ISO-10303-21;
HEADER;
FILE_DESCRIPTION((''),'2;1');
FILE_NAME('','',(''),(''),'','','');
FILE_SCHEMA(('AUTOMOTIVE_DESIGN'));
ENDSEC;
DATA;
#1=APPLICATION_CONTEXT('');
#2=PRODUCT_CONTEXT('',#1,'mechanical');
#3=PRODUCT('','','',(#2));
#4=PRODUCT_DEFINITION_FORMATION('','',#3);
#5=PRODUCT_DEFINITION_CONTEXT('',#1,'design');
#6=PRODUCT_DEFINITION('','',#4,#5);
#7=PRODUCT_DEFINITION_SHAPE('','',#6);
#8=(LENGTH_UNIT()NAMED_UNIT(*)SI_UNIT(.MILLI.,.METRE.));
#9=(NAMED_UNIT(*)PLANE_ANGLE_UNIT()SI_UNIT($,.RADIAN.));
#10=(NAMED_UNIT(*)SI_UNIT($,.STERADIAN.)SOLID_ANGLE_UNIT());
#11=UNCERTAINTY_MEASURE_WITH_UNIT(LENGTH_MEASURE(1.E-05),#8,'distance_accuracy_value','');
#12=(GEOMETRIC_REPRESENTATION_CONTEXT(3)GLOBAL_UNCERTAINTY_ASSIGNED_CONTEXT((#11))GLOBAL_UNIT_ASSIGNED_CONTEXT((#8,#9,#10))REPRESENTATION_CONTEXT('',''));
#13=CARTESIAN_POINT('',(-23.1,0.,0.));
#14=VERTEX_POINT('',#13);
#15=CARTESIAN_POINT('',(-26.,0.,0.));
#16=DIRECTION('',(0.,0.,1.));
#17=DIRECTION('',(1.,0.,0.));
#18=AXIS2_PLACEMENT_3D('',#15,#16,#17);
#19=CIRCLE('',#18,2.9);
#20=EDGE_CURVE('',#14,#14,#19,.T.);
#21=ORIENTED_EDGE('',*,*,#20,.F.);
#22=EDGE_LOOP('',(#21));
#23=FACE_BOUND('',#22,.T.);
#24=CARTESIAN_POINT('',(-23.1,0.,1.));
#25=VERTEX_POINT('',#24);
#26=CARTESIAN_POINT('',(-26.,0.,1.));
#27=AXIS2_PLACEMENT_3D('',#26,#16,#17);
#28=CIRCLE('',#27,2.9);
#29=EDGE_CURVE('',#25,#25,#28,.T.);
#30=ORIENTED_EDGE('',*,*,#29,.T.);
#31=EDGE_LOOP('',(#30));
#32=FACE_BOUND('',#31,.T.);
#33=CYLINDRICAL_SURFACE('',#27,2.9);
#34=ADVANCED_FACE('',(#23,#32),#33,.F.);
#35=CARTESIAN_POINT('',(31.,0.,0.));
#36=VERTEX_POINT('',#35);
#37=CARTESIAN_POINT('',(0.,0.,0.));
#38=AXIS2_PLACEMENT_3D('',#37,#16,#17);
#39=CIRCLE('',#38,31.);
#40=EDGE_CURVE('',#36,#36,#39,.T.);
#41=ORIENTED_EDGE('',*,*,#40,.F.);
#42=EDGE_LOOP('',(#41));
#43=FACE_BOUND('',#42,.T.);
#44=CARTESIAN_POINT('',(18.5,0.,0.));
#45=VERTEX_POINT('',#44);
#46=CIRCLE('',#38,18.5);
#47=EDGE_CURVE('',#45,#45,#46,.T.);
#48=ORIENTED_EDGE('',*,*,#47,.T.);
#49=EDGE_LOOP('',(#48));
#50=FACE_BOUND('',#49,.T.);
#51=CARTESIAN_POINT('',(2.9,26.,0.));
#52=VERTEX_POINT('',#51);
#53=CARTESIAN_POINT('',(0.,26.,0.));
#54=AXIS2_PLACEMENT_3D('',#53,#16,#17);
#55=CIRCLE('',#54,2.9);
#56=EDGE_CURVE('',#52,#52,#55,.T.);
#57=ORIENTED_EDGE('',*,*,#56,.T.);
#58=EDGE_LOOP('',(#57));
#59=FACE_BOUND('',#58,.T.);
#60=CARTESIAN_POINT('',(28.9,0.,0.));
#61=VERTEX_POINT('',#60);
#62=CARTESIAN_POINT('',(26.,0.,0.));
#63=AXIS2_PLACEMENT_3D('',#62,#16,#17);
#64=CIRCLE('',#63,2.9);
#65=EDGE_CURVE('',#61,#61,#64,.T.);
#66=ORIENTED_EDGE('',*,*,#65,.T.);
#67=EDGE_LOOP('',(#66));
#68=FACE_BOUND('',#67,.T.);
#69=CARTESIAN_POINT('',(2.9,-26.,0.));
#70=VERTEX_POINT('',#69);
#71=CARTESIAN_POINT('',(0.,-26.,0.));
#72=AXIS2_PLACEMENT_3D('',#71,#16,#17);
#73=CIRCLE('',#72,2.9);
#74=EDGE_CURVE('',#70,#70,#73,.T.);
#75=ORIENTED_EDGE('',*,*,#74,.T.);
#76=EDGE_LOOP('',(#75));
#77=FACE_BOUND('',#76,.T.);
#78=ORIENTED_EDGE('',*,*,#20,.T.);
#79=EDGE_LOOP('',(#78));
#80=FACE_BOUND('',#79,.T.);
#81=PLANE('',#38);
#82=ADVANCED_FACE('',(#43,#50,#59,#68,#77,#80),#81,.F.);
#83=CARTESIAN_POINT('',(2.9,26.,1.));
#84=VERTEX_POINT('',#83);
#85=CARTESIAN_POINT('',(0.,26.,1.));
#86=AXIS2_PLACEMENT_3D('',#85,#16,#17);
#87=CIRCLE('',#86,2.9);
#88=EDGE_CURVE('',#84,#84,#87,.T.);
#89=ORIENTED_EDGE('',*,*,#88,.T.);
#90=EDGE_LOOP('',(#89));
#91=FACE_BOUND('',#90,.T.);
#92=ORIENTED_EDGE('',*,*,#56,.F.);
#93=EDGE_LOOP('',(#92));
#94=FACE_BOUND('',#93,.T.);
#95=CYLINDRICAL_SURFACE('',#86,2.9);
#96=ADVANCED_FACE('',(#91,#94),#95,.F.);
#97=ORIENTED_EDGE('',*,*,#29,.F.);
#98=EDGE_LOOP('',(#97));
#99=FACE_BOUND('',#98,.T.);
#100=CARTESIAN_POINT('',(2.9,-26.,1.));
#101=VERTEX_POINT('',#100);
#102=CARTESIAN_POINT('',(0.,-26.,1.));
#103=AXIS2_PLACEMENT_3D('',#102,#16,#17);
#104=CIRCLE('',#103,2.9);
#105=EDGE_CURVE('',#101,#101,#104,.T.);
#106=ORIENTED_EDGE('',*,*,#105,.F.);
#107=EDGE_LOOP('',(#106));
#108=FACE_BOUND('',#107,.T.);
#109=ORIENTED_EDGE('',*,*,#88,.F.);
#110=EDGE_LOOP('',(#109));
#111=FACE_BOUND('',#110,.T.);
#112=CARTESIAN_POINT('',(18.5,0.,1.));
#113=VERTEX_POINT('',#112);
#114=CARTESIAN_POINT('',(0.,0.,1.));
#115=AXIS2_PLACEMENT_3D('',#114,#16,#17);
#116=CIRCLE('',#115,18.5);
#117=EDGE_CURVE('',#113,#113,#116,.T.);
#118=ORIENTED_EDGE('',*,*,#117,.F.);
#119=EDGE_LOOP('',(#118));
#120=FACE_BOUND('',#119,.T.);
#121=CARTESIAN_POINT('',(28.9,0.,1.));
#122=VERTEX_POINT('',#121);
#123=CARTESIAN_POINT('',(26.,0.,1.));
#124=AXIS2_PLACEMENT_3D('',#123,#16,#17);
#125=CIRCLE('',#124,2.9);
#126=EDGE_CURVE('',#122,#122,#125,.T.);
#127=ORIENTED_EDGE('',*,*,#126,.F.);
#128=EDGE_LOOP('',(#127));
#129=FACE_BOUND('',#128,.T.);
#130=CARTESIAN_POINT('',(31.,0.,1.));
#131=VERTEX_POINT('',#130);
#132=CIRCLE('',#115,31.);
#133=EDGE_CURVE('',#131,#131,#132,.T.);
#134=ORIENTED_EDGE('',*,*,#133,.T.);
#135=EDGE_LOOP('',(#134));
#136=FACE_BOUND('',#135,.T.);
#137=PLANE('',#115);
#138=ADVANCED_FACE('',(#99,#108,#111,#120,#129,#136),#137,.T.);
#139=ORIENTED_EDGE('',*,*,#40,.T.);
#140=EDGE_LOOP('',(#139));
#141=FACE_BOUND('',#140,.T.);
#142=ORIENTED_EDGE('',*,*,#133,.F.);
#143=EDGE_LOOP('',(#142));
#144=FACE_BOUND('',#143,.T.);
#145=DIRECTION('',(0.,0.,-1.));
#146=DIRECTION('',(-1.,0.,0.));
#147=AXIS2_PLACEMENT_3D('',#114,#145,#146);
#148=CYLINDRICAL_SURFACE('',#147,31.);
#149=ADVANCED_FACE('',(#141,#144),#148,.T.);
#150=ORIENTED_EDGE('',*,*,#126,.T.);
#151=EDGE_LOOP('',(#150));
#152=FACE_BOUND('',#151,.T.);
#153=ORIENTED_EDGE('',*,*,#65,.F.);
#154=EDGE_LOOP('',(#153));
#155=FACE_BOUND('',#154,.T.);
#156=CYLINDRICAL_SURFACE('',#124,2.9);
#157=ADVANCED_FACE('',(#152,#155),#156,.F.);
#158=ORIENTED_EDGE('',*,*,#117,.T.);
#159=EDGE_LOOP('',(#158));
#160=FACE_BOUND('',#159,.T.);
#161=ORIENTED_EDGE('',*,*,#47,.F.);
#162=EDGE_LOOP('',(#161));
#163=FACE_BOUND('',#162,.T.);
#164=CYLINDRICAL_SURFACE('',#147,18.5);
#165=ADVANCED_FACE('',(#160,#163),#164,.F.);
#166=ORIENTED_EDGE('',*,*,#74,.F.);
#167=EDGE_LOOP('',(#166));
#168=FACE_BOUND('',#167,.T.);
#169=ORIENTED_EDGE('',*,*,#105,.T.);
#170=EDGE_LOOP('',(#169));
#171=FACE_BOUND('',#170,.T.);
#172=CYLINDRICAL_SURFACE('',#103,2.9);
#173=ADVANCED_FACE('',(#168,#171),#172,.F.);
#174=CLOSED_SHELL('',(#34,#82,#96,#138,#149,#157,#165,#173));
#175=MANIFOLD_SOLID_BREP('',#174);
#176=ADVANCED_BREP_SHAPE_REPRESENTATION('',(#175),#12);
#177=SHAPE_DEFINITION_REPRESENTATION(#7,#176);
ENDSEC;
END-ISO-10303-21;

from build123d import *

# Parameters (mm, degrees)
SKETCH1_R            = 31
SKETCH1_R_2          = 18.5
BOSS_EXTRUDE1_DEPTH  = 1
M5_CLEARANCE_HOLE1_D = 5.8


with BuildPart() as part:
    # Sketch1 → Boss-Extrude1 (new body)
    with BuildSketch(Plane.XY):
        Circle(SKETCH1_R)
        Circle(SKETCH1_R_2, mode=Mode.SUBTRACT)
    extrude(amount=BOSS_EXTRUDE1_DEPTH)

    # M5 Clearance Hole1 (through all)
    with Locations(Plane.XY.offset(1)):
        with Locations((26, 0), (0, 26), (-26, 0), (0, -26)):
            Hole(M5_CLEARANCE_HOLE1_D / 2)


solid = part.part
